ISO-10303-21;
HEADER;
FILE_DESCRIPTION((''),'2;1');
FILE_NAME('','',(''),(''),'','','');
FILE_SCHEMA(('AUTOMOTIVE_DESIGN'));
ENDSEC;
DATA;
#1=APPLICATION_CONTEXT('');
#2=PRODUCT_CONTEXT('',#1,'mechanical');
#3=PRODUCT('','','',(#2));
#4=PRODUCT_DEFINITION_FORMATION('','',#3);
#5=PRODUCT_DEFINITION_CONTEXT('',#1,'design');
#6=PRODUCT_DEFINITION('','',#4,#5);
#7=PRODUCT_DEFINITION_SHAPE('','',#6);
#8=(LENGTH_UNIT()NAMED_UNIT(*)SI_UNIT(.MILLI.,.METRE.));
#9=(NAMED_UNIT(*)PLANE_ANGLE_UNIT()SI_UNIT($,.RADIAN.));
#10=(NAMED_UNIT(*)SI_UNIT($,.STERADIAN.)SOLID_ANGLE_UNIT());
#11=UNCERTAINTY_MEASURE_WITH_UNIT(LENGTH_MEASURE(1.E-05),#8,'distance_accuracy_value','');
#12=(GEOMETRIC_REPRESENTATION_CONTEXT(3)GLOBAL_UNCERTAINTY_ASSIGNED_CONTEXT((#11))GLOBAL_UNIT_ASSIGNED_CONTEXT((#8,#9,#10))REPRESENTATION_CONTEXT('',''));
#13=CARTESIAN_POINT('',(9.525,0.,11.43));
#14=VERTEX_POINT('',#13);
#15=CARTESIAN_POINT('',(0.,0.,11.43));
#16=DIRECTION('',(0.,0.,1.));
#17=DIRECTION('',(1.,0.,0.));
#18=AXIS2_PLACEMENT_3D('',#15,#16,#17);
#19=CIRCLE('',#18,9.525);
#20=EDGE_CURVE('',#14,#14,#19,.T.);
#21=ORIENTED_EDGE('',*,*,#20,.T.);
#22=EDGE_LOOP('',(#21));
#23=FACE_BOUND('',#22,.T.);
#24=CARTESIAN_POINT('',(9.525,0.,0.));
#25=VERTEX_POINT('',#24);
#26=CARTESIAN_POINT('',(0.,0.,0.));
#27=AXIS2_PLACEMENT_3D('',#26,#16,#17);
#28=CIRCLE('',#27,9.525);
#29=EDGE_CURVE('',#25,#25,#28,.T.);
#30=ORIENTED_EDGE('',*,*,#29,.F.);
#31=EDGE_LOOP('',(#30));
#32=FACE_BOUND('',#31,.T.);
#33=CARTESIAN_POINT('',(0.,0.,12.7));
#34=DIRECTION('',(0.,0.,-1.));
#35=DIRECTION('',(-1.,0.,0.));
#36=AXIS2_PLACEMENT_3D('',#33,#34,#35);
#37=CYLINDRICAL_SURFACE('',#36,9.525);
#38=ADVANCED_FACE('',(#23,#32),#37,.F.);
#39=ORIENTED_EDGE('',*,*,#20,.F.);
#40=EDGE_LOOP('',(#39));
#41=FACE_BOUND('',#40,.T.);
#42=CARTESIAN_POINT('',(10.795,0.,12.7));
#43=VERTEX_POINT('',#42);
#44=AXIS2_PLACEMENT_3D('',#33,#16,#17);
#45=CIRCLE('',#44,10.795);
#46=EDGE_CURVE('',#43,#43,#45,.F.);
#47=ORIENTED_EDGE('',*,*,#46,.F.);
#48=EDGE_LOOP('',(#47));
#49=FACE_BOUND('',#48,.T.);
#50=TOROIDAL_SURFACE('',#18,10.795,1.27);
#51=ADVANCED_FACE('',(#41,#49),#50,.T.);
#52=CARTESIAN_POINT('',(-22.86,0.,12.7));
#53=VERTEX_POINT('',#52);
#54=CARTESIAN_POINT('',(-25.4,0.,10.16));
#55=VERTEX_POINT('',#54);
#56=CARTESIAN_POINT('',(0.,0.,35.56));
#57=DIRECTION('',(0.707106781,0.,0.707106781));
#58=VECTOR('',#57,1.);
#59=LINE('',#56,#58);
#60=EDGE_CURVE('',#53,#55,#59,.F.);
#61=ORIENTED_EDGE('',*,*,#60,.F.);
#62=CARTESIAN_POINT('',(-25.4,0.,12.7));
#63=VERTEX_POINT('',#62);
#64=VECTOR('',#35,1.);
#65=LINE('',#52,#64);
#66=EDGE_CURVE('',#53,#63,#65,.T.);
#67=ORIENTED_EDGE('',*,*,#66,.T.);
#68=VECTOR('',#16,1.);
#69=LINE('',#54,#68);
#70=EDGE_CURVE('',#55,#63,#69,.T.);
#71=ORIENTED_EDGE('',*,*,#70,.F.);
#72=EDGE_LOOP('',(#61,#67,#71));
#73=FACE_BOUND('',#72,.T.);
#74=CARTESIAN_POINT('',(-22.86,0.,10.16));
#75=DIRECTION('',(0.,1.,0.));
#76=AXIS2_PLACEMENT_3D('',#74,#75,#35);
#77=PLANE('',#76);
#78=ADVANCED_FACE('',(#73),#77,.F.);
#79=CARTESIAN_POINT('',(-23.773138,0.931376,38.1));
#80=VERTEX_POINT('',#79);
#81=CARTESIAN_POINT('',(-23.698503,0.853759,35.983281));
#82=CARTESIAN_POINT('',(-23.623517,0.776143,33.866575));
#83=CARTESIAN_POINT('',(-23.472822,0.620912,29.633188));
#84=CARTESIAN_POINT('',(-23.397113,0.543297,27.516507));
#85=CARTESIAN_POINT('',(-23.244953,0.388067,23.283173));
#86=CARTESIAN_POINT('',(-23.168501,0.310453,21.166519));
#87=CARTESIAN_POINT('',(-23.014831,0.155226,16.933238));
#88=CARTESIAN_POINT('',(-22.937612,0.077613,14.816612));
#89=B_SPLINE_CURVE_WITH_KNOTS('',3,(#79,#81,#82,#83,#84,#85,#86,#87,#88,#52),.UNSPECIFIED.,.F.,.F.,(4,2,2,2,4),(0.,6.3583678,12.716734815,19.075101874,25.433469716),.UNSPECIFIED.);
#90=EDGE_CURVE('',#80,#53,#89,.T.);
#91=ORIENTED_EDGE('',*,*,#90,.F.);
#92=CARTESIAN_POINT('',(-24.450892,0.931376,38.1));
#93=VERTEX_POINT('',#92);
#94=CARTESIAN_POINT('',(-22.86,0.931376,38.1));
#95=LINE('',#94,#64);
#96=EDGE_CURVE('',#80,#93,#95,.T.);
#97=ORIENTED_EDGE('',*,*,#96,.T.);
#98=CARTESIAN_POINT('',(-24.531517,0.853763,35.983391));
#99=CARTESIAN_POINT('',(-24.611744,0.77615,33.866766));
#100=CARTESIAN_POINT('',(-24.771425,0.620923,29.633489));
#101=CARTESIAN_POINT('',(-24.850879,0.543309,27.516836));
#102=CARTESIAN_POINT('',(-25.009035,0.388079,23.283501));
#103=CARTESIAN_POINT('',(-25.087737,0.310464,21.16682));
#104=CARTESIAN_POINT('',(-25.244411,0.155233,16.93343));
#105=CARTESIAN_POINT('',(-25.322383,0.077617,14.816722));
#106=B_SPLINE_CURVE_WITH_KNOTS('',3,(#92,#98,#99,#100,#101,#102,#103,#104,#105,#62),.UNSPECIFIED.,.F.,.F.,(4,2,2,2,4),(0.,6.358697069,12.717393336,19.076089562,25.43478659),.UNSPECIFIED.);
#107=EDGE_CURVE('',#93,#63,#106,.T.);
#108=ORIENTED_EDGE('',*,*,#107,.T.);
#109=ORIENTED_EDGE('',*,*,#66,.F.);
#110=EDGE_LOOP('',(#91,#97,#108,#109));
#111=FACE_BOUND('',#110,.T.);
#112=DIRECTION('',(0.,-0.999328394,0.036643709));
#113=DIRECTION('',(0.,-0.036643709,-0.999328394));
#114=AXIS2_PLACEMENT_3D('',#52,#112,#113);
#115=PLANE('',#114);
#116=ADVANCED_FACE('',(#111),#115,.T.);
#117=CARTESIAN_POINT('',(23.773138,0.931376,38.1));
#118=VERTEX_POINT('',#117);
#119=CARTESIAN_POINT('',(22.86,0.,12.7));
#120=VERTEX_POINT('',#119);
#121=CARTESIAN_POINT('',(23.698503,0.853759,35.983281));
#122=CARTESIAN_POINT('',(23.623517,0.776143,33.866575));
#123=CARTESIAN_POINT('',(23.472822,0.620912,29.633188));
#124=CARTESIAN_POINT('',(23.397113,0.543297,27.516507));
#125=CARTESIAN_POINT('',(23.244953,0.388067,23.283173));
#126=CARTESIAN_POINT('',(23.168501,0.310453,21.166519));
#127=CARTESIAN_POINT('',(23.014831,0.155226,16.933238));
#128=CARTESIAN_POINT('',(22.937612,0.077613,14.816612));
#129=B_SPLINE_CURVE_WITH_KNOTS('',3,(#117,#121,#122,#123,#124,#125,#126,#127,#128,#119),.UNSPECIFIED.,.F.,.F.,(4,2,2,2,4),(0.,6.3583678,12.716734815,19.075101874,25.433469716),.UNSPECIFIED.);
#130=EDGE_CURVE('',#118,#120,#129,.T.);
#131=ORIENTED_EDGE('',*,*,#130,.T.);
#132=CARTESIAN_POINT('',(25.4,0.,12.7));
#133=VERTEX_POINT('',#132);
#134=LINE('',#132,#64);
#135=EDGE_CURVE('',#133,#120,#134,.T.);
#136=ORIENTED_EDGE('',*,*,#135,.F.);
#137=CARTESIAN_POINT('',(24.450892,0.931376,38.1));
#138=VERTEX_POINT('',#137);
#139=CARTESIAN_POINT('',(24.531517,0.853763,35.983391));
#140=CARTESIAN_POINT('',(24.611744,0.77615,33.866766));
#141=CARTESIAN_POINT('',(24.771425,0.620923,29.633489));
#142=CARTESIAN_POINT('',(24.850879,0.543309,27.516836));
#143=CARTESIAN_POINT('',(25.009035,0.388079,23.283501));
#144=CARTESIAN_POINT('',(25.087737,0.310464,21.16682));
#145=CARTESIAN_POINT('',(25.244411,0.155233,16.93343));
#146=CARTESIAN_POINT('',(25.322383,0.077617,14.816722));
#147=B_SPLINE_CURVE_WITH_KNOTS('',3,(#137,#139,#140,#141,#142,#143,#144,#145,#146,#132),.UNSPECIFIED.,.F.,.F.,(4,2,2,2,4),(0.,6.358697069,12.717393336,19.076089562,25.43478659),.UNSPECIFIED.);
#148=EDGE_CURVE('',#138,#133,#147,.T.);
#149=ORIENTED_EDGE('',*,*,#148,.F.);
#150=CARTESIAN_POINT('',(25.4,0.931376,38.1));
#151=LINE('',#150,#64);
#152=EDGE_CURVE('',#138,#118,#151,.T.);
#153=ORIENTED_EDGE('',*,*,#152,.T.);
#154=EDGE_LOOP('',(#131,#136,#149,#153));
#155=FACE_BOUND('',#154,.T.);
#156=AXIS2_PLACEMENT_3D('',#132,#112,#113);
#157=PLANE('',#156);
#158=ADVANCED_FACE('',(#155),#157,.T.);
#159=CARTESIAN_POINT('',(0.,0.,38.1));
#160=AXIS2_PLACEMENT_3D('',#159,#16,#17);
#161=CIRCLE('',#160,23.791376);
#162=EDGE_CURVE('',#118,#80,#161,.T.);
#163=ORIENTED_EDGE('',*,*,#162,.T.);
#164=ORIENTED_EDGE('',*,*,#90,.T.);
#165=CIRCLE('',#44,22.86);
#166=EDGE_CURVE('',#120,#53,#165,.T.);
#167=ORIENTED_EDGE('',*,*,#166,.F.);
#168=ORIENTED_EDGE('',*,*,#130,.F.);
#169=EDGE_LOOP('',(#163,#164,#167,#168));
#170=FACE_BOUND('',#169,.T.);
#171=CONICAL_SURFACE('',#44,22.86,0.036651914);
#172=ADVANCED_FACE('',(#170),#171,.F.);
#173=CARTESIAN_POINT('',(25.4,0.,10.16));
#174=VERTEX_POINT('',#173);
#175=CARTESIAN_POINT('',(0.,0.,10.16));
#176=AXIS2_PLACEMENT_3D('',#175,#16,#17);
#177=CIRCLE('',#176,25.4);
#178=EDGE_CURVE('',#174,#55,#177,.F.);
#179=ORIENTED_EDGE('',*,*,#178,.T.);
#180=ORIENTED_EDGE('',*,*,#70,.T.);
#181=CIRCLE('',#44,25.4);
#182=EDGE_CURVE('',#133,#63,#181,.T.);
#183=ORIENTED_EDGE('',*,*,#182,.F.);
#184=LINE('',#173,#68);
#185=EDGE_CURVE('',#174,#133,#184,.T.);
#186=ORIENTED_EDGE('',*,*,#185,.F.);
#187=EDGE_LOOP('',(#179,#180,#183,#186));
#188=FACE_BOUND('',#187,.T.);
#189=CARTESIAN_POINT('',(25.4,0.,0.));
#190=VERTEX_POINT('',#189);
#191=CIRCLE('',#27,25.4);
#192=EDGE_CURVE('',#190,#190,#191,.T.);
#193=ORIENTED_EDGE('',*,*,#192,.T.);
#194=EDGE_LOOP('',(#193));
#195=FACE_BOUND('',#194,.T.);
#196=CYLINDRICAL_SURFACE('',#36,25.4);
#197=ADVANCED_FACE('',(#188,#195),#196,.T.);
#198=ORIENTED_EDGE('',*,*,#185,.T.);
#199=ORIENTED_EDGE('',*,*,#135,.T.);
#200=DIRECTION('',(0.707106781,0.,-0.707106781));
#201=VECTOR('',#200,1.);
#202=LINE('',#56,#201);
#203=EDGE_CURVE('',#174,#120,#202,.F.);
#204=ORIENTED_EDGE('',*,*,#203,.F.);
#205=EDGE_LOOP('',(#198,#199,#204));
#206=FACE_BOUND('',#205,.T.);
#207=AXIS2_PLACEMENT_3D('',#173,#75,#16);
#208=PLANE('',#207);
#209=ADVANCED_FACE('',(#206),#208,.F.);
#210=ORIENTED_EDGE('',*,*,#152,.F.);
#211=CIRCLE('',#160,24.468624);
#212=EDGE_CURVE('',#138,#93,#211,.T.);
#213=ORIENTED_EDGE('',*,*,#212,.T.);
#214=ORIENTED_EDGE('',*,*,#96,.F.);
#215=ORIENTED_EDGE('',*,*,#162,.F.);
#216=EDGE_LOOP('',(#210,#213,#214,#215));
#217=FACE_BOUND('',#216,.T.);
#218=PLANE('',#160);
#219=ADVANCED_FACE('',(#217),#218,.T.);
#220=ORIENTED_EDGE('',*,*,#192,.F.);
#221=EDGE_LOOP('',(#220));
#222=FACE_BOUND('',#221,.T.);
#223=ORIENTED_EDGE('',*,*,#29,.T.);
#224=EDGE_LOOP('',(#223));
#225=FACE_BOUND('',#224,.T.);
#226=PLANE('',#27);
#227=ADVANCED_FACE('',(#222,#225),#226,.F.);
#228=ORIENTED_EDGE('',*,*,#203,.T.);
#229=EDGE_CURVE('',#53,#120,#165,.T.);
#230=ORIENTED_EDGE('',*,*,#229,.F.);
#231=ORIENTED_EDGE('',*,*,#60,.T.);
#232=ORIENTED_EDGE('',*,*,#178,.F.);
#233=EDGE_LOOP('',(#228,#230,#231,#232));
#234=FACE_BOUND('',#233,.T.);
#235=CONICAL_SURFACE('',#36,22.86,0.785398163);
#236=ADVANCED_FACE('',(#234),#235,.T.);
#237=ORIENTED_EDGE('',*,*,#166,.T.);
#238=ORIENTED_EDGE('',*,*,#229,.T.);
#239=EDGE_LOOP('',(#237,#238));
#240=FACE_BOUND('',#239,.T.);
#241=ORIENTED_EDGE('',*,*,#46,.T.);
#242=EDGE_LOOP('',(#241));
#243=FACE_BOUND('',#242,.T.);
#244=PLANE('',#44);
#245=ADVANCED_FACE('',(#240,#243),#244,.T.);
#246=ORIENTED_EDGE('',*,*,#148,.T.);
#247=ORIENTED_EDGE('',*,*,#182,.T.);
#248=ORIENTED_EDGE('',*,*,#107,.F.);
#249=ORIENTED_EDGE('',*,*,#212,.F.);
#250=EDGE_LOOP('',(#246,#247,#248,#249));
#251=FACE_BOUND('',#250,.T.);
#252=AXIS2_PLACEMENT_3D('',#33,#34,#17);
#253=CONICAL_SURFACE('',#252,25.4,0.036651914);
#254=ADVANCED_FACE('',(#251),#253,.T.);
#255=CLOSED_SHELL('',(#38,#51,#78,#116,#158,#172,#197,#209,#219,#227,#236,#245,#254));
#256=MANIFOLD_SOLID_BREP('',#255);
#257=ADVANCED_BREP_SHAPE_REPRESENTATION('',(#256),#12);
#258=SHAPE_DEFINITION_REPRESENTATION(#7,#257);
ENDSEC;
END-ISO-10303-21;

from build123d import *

# Parameters (mm, degrees)
SKETCH1_R                     = 25.4
SKETCH1_R_2                   = 9.525
BOSS_EXTRUDE1_DEPTH           = 12.7
CHAMFER1_SIZE                 = 2.54
FILLET1_R                     = 1.27
EXTRUDE_THIN2_DEPTH           = 25.4
EXTRUDE_THIN2_DRAFT           = 2.1
EXTRUDE_THIN2_OTHER_WAY_DEPTH = 2.54


with BuildPart() as part:
    # Sketch1 → Boss-Extrude1 (new body)
    with BuildSketch(Plane.XY):
        Circle(SKETCH1_R)
        Circle(SKETCH1_R_2, mode=Mode.SUBTRACT)
    extrude(amount=BOSS_EXTRUDE1_DEPTH)

    # Chamfer1
    chamfer1_edges = [part.edges().sort_by_distance(p)[0] for p in [
        (-25.4, 0, 12.7),
    ]]
    chamfer(chamfer1_edges, length=CHAMFER1_SIZE)

    # Fillet1
    fillet1_edges = [part.edges().sort_by_distance(p)[0] for p in [
        (-9.525, 0, 12.7),
    ]]
    fillet(fillet1_edges, radius=FILLET1_R)


with BuildPart() as extrude_thin2_tool:
    # Sketch2 → Extrude-Thin2 (with draft: the straight prism first)
    with BuildSketch(Plane.XY.offset(12.7)):
        with BuildLine():
            Line((22.86, 0), (25.4, 0))
            ThreePointArc((25.4, 0), (0, 25.4), (-25.4, 0))
            Line((-25.4, 0), (-22.86, 0))
            ThreePointArc((-22.86, 0), (0, 22.86), (22.86, 0))
        make_face()
    extrude(amount=EXTRUDE_THIN2_DEPTH)
    # Extrude-Thin2: the draft: its side faces are tilted about the plane it starts from
    extrude_thin2_sides = [extrude_thin2_tool.faces().sort_by_distance(p)[0] for p in [
        (24.13, 0, 25.4),
        (0, 25.4, 25.4),
        (-24.13, 0, 25.4),
        (0, 22.86, 25.4),
    ]]
    draft(extrude_thin2_sides, Plane.XY.offset(12.7), EXTRUDE_THIN2_DRAFT)


with BuildPart() as part_1:
    add(part.part)

    # Extrude-Thin2: add extrude_thin2_tool
    add(extrude_thin2_tool.part)

    # Sketch2 → Extrude-Thin2 other way (add)
    with BuildSketch(Plane.XY.offset(12.7)):
        with BuildLine():
            Line((22.86, 0), (25.4, 0))
            ThreePointArc((25.4, 0), (0, 25.4), (-25.4, 0))
            Line((-25.4, 0), (-22.86, 0))
            ThreePointArc((-22.86, 0), (0, 22.86), (22.86, 0))
        make_face()
    extrude(amount=-EXTRUDE_THIN2_OTHER_WAY_DEPTH)


solid = part_1.part
